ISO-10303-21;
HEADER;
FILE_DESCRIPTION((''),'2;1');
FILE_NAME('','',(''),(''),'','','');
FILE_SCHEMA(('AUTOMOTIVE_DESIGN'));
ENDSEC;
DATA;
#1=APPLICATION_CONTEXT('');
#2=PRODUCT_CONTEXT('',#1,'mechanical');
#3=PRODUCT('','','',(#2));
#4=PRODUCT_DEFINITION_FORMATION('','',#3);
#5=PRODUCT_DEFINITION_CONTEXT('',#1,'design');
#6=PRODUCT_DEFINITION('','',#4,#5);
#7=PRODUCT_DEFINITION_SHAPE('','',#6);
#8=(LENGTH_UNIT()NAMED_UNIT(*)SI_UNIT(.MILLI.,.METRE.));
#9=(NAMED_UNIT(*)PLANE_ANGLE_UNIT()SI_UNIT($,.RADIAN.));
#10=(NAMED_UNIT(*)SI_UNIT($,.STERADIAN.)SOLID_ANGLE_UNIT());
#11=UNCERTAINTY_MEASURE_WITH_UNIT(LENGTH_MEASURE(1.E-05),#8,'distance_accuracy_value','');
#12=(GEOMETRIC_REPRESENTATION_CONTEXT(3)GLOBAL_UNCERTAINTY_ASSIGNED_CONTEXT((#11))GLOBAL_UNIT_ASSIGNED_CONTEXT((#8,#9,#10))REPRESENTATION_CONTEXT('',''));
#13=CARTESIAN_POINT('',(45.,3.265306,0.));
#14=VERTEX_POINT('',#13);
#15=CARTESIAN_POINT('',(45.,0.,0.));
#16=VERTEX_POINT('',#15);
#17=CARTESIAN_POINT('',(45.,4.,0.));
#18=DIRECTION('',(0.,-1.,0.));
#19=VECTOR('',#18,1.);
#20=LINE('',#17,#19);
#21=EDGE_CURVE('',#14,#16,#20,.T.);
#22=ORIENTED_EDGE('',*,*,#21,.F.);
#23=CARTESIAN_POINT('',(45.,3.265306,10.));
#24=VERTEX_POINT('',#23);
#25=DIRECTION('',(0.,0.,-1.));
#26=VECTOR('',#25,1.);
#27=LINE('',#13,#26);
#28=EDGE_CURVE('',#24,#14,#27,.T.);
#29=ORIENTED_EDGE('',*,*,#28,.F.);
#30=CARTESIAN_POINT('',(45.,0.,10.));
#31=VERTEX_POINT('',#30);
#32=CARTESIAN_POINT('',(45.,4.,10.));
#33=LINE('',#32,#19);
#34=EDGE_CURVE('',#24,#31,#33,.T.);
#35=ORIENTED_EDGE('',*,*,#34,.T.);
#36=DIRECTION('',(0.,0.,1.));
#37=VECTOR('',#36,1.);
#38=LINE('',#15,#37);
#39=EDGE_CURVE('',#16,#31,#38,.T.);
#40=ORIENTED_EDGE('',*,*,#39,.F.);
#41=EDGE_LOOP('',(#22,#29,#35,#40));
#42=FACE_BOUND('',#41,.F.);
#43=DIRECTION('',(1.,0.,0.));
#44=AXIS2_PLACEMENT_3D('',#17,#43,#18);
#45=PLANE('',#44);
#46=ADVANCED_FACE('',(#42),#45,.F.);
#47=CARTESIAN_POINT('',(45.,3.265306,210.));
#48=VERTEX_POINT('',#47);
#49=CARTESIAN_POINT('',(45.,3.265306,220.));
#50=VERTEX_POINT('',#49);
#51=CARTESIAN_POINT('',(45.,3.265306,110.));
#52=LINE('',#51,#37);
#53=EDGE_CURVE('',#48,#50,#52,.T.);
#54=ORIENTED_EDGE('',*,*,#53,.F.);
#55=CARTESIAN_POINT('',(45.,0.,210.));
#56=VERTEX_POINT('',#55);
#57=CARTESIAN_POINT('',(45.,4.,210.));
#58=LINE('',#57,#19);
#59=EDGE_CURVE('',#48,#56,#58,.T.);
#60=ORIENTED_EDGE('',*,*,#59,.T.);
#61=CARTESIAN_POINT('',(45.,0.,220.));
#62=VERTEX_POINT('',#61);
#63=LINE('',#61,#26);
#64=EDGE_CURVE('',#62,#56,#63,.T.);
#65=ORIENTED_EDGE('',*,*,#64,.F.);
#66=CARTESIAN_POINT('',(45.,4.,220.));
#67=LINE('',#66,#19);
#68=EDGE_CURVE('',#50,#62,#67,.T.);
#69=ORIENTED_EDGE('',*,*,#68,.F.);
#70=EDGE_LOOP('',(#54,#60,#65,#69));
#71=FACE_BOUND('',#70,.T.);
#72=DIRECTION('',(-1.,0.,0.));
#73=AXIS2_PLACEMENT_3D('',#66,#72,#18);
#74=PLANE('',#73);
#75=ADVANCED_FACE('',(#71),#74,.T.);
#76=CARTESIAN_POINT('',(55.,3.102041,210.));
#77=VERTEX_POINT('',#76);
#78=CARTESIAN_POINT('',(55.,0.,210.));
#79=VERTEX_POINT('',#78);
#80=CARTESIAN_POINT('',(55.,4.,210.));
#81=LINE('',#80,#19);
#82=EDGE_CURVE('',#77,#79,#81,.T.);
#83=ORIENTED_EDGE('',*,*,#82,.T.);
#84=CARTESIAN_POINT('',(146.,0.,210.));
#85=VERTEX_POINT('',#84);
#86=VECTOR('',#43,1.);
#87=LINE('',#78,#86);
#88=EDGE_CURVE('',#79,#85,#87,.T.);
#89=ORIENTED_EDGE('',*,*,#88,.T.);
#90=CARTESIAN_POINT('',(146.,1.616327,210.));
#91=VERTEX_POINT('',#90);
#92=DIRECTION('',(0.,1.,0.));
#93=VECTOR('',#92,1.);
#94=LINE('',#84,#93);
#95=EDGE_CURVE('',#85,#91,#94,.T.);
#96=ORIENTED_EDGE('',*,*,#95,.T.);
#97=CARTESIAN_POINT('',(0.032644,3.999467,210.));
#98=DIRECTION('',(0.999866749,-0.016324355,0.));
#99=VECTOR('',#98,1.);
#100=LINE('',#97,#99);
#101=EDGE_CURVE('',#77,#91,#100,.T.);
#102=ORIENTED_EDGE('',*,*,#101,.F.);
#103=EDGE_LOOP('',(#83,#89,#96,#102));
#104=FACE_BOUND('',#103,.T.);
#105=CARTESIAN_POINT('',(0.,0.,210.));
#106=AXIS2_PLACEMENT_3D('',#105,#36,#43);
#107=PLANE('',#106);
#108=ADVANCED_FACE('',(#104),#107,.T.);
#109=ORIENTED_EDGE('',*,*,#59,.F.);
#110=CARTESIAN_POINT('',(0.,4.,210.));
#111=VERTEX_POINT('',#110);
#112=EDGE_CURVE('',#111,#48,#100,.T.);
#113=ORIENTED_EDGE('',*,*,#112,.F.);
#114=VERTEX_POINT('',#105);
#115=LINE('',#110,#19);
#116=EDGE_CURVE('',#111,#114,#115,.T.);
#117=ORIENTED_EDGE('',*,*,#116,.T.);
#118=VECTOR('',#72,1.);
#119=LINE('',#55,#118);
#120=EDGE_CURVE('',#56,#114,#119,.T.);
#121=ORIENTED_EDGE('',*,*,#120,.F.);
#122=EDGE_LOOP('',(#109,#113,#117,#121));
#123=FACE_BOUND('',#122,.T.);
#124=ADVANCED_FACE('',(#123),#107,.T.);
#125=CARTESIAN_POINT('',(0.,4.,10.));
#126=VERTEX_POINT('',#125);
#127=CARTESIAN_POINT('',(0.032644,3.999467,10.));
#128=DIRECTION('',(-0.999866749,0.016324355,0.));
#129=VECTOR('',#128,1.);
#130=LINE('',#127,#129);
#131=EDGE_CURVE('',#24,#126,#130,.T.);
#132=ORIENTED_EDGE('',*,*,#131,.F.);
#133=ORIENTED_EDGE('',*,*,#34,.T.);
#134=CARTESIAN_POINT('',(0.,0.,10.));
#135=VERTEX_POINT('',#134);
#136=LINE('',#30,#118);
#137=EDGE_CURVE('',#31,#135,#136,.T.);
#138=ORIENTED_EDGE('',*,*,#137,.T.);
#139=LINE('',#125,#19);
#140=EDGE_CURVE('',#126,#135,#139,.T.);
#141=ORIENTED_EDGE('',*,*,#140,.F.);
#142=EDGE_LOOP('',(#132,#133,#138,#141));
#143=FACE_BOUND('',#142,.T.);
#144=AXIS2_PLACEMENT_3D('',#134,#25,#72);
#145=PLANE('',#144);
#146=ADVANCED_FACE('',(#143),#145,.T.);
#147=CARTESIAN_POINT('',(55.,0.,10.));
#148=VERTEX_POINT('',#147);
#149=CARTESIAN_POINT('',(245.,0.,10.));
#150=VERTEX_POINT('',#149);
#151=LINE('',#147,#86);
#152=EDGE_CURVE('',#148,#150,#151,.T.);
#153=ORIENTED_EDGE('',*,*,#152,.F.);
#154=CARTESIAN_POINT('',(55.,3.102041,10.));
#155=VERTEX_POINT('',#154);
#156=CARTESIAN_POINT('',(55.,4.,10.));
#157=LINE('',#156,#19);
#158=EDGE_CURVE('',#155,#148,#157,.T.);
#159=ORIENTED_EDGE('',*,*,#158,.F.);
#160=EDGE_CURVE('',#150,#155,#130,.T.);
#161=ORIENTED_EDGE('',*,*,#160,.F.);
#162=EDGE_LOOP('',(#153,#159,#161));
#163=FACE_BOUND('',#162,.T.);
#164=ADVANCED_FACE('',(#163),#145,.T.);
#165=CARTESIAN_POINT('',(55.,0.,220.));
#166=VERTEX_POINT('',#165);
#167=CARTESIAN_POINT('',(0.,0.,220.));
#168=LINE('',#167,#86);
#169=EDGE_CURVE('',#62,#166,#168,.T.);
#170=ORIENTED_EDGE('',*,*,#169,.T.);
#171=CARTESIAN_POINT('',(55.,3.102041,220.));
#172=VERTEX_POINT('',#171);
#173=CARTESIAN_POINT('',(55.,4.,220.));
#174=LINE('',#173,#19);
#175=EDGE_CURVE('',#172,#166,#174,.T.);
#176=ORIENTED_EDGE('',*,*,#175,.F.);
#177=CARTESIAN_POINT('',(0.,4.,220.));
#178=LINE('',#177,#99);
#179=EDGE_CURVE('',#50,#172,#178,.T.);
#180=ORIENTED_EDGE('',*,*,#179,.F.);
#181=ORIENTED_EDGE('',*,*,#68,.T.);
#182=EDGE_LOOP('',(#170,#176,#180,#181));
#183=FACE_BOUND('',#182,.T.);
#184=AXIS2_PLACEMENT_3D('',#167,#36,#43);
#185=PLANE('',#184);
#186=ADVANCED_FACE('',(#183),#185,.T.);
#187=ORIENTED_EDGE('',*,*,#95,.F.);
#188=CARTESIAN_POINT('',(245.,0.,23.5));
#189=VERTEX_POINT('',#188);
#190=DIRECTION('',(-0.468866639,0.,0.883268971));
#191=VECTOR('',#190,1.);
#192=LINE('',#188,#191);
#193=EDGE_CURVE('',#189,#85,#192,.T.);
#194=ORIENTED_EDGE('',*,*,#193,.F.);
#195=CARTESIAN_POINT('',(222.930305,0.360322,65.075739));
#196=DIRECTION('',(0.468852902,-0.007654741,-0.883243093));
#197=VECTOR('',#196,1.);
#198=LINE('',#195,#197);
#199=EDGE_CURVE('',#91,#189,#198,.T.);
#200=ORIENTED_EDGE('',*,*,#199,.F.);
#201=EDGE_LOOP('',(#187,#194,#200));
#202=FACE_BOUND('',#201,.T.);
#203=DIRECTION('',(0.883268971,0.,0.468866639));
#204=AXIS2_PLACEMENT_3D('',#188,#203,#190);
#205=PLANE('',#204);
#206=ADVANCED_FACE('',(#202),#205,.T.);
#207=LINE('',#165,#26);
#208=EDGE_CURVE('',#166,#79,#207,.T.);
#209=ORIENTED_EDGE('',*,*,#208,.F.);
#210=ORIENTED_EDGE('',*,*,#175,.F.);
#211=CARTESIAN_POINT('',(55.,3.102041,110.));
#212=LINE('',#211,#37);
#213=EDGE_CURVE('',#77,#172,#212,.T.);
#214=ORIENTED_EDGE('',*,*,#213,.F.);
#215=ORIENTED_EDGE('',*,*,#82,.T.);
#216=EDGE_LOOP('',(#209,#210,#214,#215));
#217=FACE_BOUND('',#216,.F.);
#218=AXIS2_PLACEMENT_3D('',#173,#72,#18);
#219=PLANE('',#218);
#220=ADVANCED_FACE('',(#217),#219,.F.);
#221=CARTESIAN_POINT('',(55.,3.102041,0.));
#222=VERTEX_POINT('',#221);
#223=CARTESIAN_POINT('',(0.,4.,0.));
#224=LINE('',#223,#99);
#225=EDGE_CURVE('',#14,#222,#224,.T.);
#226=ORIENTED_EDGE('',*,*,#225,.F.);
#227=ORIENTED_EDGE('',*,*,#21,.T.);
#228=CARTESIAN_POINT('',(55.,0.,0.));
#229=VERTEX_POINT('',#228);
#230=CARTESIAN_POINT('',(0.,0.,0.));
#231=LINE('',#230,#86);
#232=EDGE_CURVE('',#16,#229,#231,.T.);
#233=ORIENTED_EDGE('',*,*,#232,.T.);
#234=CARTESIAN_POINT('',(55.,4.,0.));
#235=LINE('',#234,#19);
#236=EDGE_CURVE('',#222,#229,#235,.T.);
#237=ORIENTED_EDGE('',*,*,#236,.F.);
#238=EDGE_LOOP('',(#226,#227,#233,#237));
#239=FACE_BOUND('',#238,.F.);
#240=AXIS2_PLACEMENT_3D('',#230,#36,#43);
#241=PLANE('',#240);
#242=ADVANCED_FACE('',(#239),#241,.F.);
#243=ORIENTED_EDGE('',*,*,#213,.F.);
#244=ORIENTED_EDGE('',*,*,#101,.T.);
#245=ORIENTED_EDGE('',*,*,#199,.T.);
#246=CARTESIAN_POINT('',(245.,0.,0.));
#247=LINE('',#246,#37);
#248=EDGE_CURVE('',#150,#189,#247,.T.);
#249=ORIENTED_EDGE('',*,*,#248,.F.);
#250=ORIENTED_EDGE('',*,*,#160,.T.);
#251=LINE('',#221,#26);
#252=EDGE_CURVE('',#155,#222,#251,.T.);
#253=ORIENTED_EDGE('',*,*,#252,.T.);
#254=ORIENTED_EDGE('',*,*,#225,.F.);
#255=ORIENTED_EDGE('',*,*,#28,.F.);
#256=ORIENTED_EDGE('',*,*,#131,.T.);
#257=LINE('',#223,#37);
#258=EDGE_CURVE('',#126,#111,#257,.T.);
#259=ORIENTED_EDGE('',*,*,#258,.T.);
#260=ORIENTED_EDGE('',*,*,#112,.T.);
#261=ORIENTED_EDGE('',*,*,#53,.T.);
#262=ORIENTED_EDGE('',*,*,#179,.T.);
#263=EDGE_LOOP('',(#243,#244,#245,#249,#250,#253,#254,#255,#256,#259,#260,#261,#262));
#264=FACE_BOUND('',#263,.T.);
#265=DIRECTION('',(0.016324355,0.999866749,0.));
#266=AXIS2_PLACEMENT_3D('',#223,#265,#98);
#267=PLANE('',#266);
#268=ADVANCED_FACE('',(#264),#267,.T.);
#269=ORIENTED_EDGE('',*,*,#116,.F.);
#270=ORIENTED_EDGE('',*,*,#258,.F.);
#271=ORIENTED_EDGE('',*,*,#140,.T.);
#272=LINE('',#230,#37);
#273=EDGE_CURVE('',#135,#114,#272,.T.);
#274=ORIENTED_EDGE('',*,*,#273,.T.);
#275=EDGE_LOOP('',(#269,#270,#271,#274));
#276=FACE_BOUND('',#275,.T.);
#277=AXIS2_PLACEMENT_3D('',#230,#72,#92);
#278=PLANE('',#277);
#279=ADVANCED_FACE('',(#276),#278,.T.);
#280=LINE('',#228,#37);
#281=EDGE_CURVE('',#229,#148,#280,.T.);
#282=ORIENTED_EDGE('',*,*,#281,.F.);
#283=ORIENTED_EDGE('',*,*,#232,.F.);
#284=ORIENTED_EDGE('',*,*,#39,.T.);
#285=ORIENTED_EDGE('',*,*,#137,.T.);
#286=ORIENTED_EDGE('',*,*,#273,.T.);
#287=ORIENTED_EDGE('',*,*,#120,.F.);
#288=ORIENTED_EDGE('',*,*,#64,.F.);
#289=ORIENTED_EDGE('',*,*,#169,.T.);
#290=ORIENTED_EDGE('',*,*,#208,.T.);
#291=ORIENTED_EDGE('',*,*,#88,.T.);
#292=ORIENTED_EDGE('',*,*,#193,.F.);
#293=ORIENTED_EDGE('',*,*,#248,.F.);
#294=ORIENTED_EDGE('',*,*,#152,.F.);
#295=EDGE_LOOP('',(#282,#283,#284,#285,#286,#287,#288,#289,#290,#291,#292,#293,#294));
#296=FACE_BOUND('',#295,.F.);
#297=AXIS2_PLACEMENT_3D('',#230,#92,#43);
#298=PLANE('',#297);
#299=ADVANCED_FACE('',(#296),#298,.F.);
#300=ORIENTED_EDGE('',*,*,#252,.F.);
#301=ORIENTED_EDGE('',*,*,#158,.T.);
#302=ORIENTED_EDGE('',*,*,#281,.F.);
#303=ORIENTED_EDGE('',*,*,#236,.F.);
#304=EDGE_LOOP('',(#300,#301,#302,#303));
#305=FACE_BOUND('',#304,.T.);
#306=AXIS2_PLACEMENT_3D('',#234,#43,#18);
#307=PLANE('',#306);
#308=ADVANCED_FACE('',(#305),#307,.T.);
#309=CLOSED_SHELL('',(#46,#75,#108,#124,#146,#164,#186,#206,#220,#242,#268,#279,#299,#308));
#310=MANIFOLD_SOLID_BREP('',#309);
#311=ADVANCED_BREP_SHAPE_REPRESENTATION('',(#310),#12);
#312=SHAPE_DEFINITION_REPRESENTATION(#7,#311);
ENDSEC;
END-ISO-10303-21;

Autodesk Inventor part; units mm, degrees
ref_plane "YZ Plane" through (0, 0, 0) normal (1, 0, 0) x (0, 1, 0)
ref_plane "XZ Plane" through (0, 0, 0) normal (0, 1, 0) x (-1, 0, 0)
ref_plane "XY Plane" through (0, 0, 0) normal (0, 0, 1) x (1, 0, 0)
sketch "スケッチ1" plane through (0, 0, 0) normal (0, 1, 0) x (-1, 0, 0)
  point P0 (0, 0)
sketch "スケッチ2" plane through (0, 0, 0) normal (0, 0, 1) x (1, 0, 0)
  line L0 (0, 0) -> (0, 4)
  line L1 (0, 4) -> (245, 0)
  line L2 (0, 0) -> (245, 0)
  dimension "d0" = 4
  dimension "d1" = 245
extrude "押し出し1" add sketch "スケッチ2" along normal blind 220
sketch "スケッチ4" plane through (0, 0, 220) normal (0, 0, 1) x (1, 0, 0)
  line L0 (0, 4) -> (0, 0) projected
  line L1 (55, 0) -> (245, 0)
  line L2 (245, 0) -> (245, 4)
  line L3 (245, 4) -> (55, 4)
  line L4 (55, 4) -> (55, 0)
  line L5 (0, 4) -> (45, 4)
  line L6 (45, 4) -> (45, 0)
  line L7 (45, 0) -> (0, 0)
  line L8 (0, 0) -> (0, 4)
  dimension "d8" = 4
  dimension "d9" = 190
  dimension "d10" = 55
  dimension "d23" = 45
extrude "押し出し2" cut sketch "スケッチ4" against normal blind 10
sketch "スケッチ5" plane through (0, 0, 0) normal (0, 0, -1) x (-1, 0, 0)
  line L0 (-55, 0) -> (-245, 0)
  line L1 (-245, 0) -> (-245, 4)
  line L2 (-245, 4) -> (-55, 4)
  line L3 (-55, 4) -> (-55, 0)
  line L4 (0, 4) -> (0, 0) projected
  line L5 (0, 4) -> (-45, 4)
  line L6 (-45, 4) -> (-45, 0)
  line L7 (-45, 0) -> (0, 0)
  line L8 (0, 0) -> (0, 4)
  dimension "d13" = 4
  dimension "d14" = 55
  dimension "d15" = 190
  dimension "d22" = 45
extrude "押し出し3" cut sketch "スケッチ5" against normal blind 10
sketch "スケッチ6" plane through (0, 0, 0) normal (0, -1, 0) x (1, 0, 0)
  line L0 (0, 0) -> (0, 220) projected
  line L1 (55, 10) -> (245, 10) projected
  line L2 (245, 23.5) -> (146, 210)
  line L3 (245, 210) -> (245, 23.5)
  line L4 (146, 210) -> (245, 23.5)
  line L5 (146, 210) -> (245, 210)
  line L6 (245, 210) -> (55, 210) projected
  dimension "d18" = 146
  dimension "d19" = 13.5
extrude "押し出し4" cut sketch "スケッチ6" against normal blind 10
properties part number "坂"
